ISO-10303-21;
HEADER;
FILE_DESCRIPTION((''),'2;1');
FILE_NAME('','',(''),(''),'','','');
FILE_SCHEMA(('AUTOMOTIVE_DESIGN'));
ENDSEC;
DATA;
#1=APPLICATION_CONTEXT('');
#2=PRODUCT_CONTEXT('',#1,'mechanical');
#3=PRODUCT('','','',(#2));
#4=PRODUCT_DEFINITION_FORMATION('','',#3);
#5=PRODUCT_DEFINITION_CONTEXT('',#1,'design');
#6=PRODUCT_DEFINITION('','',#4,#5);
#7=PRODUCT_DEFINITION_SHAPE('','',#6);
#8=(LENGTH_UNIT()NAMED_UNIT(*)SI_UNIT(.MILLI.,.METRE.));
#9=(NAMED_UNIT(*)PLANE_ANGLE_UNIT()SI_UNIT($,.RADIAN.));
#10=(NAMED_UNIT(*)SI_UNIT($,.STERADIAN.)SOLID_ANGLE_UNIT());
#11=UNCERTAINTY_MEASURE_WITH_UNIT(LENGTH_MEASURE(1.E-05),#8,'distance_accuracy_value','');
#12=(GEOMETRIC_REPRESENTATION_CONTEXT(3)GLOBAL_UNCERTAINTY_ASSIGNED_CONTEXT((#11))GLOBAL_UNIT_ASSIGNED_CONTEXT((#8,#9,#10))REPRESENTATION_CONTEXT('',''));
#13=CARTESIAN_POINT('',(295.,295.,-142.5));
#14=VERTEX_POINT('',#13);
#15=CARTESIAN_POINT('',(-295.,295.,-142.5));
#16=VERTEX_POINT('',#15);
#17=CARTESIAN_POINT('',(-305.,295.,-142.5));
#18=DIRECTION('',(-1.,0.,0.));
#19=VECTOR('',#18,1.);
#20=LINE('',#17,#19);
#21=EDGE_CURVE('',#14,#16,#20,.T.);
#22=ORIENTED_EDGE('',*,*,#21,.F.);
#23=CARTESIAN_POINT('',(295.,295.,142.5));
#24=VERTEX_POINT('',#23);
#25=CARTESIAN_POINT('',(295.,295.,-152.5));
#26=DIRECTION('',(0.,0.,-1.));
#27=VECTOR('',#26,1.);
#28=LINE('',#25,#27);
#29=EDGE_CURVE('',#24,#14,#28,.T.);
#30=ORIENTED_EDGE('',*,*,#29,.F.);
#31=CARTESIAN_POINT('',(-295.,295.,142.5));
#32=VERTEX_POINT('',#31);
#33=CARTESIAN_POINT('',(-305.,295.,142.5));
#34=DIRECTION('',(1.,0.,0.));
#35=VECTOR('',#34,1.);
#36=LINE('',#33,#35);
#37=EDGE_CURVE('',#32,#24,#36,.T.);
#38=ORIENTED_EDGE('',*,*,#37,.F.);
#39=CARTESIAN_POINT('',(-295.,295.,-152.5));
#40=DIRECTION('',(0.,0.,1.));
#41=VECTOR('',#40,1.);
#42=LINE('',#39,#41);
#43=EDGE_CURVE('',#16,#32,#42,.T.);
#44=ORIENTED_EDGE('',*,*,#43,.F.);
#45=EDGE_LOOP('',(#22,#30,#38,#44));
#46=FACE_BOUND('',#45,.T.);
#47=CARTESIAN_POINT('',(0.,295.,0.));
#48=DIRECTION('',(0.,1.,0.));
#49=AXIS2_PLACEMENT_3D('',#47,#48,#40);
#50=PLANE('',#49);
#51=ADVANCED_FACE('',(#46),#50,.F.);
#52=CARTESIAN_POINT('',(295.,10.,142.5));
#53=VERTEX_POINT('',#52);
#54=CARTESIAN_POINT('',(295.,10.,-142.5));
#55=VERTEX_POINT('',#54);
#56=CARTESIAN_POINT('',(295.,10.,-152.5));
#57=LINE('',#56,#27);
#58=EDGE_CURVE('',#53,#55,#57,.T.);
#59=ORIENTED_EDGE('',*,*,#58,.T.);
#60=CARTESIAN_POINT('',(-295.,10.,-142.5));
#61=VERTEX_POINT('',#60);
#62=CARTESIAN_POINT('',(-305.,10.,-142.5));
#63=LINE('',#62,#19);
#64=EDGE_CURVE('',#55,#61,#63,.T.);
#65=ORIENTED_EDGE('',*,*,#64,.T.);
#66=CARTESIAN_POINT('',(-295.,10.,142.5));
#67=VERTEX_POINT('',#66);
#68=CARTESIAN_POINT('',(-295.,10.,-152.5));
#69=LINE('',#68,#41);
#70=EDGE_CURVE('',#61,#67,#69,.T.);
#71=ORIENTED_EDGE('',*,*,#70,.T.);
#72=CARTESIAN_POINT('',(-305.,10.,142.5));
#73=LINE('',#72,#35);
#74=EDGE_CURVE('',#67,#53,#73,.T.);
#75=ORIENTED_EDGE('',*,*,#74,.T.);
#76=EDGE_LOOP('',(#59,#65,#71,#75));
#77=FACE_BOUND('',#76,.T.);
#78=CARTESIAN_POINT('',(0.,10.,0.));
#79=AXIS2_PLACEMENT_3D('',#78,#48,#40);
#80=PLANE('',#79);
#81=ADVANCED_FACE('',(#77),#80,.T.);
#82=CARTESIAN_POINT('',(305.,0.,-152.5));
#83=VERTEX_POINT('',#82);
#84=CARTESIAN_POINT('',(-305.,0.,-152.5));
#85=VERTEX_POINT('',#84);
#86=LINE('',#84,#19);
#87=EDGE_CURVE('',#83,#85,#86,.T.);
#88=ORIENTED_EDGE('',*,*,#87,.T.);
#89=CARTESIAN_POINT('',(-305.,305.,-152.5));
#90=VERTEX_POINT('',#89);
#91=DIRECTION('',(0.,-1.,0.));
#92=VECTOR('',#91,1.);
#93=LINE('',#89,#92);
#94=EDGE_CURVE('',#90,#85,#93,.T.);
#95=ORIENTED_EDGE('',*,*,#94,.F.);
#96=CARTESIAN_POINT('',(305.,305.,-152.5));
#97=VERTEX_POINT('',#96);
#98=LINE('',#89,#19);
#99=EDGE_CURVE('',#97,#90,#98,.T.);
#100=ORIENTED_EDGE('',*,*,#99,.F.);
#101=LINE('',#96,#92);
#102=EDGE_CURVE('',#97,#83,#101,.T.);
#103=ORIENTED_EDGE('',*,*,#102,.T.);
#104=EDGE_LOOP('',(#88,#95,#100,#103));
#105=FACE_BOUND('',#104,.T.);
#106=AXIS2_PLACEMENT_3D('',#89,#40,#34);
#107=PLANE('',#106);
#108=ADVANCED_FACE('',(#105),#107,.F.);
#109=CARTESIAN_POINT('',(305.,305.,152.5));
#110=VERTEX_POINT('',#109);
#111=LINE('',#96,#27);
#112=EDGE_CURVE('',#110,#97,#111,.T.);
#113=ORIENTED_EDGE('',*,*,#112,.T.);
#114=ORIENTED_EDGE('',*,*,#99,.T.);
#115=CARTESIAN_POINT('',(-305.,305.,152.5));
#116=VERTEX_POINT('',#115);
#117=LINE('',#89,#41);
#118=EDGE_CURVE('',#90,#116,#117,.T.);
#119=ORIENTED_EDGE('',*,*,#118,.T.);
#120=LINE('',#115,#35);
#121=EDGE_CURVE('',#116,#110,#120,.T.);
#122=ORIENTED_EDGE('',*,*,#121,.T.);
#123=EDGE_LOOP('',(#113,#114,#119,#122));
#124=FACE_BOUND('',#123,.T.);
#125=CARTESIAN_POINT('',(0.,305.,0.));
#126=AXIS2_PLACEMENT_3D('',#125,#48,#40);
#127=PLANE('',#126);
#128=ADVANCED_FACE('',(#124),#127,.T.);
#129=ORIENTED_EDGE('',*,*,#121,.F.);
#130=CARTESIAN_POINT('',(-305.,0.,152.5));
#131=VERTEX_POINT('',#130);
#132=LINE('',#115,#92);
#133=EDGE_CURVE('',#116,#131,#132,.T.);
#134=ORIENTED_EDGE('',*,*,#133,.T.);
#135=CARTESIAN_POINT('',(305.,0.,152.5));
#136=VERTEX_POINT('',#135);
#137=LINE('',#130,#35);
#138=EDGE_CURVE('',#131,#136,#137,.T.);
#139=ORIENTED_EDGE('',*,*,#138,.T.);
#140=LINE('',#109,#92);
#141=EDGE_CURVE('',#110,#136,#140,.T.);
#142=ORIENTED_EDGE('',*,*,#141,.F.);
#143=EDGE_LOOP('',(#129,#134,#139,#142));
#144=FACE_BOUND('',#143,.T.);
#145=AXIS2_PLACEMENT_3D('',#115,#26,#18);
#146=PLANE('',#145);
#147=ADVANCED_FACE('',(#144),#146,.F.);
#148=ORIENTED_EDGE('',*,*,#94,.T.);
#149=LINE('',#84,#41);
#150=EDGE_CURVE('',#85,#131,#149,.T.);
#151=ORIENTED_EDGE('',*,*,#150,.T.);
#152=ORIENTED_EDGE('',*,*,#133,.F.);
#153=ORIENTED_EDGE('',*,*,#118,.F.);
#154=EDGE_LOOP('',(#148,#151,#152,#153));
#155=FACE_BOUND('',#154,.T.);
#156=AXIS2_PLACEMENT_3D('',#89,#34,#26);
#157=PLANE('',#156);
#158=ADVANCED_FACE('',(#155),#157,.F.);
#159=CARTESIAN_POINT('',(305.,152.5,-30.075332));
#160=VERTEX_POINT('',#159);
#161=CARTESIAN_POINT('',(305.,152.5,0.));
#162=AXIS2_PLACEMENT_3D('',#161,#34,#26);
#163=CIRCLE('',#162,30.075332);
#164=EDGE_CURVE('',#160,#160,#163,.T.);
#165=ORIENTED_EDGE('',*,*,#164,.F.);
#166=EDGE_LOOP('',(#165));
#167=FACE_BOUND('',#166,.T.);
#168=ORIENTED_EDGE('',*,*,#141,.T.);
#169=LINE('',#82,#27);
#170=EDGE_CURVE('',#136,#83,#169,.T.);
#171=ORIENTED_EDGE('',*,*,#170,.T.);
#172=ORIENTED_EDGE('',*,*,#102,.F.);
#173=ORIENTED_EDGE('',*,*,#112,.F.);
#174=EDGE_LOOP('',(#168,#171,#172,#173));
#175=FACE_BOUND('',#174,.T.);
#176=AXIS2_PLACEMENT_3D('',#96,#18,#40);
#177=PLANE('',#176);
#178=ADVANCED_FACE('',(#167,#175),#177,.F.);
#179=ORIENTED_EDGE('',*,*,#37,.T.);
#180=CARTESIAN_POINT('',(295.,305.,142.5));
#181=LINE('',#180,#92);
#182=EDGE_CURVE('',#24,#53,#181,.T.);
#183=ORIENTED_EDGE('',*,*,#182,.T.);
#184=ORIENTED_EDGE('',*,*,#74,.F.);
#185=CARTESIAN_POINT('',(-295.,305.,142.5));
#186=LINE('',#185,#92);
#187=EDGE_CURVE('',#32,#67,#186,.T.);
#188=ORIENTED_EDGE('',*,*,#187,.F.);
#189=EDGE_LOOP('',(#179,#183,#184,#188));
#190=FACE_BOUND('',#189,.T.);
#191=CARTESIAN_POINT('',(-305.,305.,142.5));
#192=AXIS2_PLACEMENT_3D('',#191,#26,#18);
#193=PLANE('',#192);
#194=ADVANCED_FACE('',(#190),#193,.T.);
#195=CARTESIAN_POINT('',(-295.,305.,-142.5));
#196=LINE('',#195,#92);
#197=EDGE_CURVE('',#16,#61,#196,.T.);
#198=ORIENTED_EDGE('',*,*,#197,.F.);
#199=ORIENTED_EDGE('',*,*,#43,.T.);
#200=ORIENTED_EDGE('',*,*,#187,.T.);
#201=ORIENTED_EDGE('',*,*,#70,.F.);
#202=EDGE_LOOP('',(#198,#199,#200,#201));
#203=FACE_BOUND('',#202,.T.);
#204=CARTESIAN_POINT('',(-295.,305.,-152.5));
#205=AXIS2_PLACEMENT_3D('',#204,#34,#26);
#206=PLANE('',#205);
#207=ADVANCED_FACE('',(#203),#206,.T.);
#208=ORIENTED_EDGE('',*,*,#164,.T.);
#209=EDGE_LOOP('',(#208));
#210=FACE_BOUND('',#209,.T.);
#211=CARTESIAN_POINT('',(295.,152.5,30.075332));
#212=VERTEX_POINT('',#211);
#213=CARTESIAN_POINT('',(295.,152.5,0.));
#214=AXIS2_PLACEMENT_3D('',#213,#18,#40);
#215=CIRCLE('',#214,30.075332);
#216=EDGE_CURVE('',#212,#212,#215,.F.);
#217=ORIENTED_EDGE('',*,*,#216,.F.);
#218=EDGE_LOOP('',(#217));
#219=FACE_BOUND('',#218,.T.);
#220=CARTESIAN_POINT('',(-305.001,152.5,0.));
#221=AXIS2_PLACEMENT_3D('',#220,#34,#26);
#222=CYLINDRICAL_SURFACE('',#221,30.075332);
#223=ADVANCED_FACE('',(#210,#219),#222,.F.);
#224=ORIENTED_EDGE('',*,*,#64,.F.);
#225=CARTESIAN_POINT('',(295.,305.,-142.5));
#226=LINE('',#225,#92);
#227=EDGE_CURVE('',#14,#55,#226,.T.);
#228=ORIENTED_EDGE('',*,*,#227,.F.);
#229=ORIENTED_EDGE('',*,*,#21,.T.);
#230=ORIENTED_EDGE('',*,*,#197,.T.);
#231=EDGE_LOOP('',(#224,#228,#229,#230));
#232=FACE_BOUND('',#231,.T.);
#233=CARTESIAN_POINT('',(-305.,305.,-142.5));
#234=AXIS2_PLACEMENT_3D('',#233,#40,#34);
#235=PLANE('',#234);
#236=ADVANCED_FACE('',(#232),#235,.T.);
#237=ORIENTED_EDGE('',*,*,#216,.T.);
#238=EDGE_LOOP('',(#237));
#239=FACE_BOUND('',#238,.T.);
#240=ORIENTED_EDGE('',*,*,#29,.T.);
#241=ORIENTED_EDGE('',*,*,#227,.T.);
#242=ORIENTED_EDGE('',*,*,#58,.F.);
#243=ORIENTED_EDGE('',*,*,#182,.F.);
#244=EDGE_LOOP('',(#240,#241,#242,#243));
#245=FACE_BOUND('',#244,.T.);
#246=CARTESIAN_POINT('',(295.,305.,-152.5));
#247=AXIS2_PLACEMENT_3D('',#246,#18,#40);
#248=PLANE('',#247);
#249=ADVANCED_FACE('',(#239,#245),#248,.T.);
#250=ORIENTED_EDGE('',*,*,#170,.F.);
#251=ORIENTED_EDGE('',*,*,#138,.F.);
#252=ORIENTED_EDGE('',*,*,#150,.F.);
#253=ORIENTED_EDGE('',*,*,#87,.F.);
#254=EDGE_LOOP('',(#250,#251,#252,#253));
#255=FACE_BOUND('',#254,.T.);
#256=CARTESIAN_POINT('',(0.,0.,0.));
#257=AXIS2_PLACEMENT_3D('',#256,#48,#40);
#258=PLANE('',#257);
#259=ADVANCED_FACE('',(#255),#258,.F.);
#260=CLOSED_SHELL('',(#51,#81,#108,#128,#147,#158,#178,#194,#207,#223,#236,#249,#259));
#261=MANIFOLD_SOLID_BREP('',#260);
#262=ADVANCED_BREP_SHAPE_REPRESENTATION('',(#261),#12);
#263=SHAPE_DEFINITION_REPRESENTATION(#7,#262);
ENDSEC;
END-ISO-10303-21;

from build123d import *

# Parameters (mm, degrees)
SKETCH1_W           = 610
SKETCH1_H           = 305
BOSS_EXTRUDE1_DEPTH = 305
SHELL1_T            = 10
CUT_EXTRUDE1_REACH  = 612
SKETCH2_R           = 30.075332342


with BuildPart() as part:
    # Sketch1 → Boss-Extrude1 (new body)
    with BuildSketch(Plane(origin=(0, 0, 0), x_dir=(1, 0, 0), z_dir=(0, 1, 0))):
        Rectangle(SKETCH1_W, SKETCH1_H)
    extrude(amount=BOSS_EXTRUDE1_DEPTH)

    # Shell1 (no face opened: a closed hollow body)
    add(offset(amount=-SHELL1_T, mode=Mode.PRIVATE), mode=Mode.SUBTRACT)

    # Sketch2 → Cut-Extrude1 (cut, up to next)
    with BuildSketch(Plane(origin=(305, 0, 0), x_dir=(0, 0, -1), z_dir=(1, 0, 0)), mode=Mode.PRIVATE) as cut_extrude1_sk1:
        with Locations((0, 152.5)):
            Circle(SKETCH2_R)
    cut_extrude1_tool1 = extrude(cut_extrude1_sk1.sketch, amount=-CUT_EXTRUDE1_REACH, mode=Mode.PRIVATE) & part.part
    add(cut_extrude1_tool1.solids().sort_by_distance((305, 152.5, 0))[0], mode=Mode.SUBTRACT)


solid = part.part
